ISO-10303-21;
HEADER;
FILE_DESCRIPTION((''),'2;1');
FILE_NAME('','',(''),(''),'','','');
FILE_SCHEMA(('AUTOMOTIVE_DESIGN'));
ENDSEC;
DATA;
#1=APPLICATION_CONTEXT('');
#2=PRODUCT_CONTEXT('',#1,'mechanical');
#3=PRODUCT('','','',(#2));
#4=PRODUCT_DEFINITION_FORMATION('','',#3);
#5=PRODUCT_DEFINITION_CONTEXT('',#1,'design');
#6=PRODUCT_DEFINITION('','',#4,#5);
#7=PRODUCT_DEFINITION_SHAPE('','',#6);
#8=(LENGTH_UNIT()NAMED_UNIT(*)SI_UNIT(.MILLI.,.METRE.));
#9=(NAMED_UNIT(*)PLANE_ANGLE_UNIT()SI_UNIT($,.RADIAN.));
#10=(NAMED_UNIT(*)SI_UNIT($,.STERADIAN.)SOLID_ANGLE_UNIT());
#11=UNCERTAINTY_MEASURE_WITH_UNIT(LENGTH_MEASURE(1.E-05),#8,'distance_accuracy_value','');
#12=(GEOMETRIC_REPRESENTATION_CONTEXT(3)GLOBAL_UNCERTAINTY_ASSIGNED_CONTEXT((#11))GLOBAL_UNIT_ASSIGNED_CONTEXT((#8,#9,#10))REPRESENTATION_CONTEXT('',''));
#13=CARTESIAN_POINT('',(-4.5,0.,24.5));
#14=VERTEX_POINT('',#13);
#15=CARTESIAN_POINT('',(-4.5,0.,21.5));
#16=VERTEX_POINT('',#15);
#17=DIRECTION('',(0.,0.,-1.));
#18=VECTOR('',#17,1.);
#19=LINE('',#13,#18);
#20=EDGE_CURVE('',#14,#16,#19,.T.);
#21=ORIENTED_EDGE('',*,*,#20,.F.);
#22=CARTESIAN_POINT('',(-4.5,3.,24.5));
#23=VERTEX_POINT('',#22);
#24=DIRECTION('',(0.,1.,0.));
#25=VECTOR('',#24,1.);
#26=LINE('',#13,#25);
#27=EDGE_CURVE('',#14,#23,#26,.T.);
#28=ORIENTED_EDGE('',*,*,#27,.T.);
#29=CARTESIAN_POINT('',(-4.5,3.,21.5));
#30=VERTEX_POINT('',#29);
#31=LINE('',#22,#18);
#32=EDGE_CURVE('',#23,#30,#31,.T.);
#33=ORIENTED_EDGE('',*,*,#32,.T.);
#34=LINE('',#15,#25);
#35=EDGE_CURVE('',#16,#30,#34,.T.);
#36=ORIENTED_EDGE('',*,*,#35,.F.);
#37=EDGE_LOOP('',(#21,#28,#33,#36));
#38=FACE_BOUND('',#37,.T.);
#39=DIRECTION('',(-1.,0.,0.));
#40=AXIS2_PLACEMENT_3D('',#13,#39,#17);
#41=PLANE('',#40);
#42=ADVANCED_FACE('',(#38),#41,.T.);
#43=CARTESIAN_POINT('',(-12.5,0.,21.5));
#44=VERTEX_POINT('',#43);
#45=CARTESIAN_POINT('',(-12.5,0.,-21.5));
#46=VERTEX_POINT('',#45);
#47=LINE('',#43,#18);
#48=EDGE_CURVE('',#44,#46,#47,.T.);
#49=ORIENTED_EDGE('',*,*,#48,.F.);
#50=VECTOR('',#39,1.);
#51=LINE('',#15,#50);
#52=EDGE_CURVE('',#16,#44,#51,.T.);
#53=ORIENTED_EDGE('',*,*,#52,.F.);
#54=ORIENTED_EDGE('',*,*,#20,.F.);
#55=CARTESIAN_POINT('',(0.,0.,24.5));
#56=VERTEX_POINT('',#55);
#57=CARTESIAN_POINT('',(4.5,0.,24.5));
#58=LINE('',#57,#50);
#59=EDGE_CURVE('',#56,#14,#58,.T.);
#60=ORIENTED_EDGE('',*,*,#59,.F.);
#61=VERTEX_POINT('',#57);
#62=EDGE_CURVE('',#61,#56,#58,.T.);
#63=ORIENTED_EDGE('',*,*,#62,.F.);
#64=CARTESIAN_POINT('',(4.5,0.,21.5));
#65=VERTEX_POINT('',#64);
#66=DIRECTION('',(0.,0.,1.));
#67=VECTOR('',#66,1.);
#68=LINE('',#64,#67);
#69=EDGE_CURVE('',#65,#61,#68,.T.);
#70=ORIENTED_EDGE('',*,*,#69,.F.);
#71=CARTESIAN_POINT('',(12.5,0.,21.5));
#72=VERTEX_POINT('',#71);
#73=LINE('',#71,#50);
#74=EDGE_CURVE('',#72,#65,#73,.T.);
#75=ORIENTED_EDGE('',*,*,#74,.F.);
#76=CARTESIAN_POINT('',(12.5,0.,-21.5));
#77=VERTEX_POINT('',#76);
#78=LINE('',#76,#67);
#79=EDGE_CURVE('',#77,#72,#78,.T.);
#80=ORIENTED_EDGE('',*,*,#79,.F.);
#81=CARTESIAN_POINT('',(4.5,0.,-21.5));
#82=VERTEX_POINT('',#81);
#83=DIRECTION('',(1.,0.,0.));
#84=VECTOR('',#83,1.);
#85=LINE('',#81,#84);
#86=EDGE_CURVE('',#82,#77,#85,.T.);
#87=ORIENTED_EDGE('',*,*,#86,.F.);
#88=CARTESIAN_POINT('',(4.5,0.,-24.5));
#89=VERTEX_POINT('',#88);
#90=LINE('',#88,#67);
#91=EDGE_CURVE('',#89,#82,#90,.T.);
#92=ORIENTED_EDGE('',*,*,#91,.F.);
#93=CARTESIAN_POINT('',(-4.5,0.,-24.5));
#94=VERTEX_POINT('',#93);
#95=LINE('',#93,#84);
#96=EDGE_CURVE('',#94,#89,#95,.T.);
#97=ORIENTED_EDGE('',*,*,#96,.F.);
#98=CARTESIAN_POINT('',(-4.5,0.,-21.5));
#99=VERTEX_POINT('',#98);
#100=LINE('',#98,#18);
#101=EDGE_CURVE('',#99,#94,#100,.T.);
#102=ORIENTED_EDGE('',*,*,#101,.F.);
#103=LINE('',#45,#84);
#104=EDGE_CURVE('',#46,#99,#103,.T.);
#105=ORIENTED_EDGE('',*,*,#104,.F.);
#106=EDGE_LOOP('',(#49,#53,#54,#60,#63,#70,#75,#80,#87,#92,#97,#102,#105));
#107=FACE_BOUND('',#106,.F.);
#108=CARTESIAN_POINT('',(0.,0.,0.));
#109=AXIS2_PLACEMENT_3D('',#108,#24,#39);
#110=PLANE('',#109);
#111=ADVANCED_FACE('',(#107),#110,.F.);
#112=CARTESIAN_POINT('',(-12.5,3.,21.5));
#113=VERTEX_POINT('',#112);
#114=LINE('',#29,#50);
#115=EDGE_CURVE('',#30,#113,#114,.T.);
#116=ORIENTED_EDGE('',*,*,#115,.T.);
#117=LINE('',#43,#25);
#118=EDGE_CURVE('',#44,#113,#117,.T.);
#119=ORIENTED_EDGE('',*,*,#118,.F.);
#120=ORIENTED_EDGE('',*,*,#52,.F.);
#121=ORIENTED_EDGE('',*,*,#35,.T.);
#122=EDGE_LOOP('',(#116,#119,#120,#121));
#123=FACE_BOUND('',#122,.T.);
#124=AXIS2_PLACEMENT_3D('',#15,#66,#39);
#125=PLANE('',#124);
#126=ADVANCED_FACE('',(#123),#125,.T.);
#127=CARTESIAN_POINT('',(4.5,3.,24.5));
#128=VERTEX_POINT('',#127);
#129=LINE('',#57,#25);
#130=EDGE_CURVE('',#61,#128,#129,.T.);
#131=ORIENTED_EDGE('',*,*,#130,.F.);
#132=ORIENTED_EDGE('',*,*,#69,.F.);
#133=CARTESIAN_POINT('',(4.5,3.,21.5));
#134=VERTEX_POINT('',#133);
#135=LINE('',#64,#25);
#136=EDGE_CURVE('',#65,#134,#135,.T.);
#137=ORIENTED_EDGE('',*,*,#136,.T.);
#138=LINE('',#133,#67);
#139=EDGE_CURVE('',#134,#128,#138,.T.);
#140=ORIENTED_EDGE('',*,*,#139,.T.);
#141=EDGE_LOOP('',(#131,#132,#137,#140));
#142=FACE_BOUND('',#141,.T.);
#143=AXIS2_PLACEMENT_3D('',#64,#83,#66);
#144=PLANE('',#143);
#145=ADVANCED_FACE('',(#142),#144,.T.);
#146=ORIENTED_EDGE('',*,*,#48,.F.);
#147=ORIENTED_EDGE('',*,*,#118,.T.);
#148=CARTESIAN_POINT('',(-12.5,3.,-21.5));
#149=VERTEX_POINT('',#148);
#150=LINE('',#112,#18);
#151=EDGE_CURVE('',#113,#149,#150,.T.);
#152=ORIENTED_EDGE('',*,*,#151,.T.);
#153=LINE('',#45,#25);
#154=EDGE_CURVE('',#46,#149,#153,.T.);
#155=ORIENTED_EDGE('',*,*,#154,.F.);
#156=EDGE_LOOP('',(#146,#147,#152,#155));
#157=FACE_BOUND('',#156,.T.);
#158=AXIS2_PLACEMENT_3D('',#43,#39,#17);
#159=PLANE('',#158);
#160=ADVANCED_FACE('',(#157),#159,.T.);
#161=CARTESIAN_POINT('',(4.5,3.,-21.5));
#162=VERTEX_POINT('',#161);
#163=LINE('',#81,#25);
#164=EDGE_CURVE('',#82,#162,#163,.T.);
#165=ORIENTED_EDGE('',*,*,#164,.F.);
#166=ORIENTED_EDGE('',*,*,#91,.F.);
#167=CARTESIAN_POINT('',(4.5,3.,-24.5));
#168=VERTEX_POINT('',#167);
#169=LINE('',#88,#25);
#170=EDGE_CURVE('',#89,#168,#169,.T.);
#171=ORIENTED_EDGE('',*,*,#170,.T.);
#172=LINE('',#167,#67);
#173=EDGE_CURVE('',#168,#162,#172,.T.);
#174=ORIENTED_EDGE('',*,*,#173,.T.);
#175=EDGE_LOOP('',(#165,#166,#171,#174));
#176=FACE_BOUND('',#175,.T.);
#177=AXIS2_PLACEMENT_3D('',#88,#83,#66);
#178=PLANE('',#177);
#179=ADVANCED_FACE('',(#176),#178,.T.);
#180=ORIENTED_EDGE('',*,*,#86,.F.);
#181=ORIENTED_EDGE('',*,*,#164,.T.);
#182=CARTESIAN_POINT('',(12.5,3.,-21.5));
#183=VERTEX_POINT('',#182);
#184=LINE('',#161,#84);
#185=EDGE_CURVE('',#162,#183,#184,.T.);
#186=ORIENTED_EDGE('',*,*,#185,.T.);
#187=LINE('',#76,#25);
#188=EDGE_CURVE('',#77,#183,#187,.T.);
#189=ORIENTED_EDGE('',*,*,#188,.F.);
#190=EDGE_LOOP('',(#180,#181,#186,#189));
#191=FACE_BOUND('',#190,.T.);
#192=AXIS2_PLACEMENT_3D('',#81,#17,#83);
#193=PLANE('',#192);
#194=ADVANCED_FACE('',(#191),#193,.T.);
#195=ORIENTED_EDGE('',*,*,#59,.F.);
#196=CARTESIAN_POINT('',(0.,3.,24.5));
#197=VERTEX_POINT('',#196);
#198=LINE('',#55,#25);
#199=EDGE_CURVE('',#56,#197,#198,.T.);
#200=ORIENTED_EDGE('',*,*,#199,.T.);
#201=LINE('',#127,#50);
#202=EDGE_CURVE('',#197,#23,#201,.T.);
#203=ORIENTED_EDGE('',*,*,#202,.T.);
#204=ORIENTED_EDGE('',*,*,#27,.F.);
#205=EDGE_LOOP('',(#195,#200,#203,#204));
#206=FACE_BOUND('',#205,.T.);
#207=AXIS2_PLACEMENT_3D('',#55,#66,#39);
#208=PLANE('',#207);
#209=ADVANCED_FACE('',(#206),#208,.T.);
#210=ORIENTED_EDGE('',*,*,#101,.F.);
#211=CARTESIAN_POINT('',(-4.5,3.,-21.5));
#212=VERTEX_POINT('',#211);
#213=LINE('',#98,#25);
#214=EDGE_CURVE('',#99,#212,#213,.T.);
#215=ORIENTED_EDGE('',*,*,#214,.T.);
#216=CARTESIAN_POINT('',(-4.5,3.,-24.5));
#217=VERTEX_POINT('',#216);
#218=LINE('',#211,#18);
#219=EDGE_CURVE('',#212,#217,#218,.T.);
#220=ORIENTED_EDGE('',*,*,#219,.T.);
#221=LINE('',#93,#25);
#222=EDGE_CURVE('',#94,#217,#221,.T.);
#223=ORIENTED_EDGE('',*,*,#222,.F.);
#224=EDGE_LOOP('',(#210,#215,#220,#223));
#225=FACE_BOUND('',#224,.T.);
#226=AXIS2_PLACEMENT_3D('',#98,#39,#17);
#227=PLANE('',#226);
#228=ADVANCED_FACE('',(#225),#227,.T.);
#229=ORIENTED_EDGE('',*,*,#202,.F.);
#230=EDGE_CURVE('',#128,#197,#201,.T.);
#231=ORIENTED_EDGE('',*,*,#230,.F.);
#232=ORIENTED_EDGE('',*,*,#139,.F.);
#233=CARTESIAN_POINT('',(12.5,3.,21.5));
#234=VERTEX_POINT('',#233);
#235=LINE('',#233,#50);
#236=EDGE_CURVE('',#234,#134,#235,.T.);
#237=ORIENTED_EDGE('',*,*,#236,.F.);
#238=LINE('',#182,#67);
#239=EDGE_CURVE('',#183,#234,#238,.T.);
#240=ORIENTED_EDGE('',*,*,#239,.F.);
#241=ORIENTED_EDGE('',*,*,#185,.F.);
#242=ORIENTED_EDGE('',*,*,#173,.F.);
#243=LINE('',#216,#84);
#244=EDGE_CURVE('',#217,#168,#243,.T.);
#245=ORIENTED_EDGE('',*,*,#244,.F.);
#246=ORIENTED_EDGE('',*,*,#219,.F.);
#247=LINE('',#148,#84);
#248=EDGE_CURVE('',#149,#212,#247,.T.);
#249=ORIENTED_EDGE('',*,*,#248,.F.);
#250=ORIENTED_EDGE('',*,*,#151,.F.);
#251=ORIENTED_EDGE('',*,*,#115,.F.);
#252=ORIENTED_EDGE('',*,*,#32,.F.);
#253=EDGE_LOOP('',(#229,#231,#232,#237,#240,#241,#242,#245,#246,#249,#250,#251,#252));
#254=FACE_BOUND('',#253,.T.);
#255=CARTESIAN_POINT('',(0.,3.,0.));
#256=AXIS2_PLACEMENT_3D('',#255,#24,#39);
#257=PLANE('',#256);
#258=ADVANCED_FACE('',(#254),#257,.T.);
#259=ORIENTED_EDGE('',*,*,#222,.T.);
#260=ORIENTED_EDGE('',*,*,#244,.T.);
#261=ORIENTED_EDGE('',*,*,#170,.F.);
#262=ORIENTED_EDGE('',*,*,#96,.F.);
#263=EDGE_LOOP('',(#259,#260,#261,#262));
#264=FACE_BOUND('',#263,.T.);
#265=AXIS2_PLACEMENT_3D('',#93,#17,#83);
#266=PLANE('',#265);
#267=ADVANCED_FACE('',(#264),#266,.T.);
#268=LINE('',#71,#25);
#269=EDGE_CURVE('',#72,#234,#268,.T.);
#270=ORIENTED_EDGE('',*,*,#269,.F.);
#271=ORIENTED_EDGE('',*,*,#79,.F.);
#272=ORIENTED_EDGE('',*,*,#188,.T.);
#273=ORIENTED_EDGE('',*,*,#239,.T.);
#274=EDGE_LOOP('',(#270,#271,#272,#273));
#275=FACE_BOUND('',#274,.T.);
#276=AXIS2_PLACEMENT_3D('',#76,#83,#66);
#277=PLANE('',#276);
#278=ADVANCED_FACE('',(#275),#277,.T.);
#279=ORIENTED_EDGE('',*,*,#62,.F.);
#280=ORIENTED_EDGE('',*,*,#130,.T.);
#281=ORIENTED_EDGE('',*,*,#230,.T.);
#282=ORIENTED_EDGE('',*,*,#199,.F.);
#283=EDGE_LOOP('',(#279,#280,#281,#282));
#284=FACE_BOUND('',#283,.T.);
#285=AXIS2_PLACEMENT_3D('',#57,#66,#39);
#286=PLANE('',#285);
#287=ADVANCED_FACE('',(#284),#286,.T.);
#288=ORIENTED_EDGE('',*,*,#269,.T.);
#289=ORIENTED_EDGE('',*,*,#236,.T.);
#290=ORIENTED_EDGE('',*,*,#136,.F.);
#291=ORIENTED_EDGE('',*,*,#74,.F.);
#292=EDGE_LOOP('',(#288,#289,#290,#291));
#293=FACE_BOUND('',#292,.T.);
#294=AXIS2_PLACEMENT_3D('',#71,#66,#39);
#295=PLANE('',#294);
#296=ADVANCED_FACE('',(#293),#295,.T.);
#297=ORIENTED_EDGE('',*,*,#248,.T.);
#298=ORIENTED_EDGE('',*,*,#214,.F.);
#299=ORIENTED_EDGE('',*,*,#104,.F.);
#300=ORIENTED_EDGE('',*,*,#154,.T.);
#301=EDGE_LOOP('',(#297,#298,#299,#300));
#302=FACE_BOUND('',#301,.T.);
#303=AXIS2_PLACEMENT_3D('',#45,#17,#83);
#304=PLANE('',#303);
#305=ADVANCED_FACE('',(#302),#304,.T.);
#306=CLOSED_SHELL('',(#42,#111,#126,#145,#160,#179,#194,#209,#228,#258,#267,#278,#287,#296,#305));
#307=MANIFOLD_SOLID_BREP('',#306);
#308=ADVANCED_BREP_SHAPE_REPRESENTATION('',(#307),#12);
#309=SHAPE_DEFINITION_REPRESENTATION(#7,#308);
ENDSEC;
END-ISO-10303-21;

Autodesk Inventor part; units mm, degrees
ref_plane "YZ Plane" through (0, 0, 0) normal (1, 0, 0) x (0, 1, 0)
ref_plane "XZ Plane" through (0, 0, 0) normal (0, 1, 0) x (-1, 0, 0)
ref_plane "XY Plane" through (0, 0, 0) normal (0, 0, 1) x (1, 0, 0)
sketch "Boceto1" plane through (0, 0, 0) normal (0, 1, 0) x (-1, 0, 0)
  line L0 (-4.5, -21.5) -> (-12.5, -21.5)
  line L1 (-4.5, -24.5) -> (-4.5, -21.5)
  line L2 (4.5, -24.5) -> (-4.5, -24.5)
  line L3 (4.5, -21.5) -> (4.5, -24.5)
  line L4 (12.5, -21.5) -> (4.5, -21.5)
  line L5 (12.5, 21.5) -> (12.5, -21.5)
  line L6 (4.5, 21.5) -> (12.5, 21.5)
  line L7 (4.5, 24.5) -> (4.5, 21.5)
  line L8 (-4.5, 24.5) -> (4.5, 24.5)
  line L9 (-4.5, 21.5) -> (-4.5, 24.5)
  line L10 (-12.5, 21.5) -> (-4.5, 21.5)
  line L11 (-12.5, -21.5) -> (-12.5, 21.5)
  line L12 (0, 24.5) -> (0, 0)
extrude "Extrusión1" add sketch "Boceto1" along normal blind 3
properties part number "Case_Wall1" material "MDF Tablero de fibras de densidad media"
